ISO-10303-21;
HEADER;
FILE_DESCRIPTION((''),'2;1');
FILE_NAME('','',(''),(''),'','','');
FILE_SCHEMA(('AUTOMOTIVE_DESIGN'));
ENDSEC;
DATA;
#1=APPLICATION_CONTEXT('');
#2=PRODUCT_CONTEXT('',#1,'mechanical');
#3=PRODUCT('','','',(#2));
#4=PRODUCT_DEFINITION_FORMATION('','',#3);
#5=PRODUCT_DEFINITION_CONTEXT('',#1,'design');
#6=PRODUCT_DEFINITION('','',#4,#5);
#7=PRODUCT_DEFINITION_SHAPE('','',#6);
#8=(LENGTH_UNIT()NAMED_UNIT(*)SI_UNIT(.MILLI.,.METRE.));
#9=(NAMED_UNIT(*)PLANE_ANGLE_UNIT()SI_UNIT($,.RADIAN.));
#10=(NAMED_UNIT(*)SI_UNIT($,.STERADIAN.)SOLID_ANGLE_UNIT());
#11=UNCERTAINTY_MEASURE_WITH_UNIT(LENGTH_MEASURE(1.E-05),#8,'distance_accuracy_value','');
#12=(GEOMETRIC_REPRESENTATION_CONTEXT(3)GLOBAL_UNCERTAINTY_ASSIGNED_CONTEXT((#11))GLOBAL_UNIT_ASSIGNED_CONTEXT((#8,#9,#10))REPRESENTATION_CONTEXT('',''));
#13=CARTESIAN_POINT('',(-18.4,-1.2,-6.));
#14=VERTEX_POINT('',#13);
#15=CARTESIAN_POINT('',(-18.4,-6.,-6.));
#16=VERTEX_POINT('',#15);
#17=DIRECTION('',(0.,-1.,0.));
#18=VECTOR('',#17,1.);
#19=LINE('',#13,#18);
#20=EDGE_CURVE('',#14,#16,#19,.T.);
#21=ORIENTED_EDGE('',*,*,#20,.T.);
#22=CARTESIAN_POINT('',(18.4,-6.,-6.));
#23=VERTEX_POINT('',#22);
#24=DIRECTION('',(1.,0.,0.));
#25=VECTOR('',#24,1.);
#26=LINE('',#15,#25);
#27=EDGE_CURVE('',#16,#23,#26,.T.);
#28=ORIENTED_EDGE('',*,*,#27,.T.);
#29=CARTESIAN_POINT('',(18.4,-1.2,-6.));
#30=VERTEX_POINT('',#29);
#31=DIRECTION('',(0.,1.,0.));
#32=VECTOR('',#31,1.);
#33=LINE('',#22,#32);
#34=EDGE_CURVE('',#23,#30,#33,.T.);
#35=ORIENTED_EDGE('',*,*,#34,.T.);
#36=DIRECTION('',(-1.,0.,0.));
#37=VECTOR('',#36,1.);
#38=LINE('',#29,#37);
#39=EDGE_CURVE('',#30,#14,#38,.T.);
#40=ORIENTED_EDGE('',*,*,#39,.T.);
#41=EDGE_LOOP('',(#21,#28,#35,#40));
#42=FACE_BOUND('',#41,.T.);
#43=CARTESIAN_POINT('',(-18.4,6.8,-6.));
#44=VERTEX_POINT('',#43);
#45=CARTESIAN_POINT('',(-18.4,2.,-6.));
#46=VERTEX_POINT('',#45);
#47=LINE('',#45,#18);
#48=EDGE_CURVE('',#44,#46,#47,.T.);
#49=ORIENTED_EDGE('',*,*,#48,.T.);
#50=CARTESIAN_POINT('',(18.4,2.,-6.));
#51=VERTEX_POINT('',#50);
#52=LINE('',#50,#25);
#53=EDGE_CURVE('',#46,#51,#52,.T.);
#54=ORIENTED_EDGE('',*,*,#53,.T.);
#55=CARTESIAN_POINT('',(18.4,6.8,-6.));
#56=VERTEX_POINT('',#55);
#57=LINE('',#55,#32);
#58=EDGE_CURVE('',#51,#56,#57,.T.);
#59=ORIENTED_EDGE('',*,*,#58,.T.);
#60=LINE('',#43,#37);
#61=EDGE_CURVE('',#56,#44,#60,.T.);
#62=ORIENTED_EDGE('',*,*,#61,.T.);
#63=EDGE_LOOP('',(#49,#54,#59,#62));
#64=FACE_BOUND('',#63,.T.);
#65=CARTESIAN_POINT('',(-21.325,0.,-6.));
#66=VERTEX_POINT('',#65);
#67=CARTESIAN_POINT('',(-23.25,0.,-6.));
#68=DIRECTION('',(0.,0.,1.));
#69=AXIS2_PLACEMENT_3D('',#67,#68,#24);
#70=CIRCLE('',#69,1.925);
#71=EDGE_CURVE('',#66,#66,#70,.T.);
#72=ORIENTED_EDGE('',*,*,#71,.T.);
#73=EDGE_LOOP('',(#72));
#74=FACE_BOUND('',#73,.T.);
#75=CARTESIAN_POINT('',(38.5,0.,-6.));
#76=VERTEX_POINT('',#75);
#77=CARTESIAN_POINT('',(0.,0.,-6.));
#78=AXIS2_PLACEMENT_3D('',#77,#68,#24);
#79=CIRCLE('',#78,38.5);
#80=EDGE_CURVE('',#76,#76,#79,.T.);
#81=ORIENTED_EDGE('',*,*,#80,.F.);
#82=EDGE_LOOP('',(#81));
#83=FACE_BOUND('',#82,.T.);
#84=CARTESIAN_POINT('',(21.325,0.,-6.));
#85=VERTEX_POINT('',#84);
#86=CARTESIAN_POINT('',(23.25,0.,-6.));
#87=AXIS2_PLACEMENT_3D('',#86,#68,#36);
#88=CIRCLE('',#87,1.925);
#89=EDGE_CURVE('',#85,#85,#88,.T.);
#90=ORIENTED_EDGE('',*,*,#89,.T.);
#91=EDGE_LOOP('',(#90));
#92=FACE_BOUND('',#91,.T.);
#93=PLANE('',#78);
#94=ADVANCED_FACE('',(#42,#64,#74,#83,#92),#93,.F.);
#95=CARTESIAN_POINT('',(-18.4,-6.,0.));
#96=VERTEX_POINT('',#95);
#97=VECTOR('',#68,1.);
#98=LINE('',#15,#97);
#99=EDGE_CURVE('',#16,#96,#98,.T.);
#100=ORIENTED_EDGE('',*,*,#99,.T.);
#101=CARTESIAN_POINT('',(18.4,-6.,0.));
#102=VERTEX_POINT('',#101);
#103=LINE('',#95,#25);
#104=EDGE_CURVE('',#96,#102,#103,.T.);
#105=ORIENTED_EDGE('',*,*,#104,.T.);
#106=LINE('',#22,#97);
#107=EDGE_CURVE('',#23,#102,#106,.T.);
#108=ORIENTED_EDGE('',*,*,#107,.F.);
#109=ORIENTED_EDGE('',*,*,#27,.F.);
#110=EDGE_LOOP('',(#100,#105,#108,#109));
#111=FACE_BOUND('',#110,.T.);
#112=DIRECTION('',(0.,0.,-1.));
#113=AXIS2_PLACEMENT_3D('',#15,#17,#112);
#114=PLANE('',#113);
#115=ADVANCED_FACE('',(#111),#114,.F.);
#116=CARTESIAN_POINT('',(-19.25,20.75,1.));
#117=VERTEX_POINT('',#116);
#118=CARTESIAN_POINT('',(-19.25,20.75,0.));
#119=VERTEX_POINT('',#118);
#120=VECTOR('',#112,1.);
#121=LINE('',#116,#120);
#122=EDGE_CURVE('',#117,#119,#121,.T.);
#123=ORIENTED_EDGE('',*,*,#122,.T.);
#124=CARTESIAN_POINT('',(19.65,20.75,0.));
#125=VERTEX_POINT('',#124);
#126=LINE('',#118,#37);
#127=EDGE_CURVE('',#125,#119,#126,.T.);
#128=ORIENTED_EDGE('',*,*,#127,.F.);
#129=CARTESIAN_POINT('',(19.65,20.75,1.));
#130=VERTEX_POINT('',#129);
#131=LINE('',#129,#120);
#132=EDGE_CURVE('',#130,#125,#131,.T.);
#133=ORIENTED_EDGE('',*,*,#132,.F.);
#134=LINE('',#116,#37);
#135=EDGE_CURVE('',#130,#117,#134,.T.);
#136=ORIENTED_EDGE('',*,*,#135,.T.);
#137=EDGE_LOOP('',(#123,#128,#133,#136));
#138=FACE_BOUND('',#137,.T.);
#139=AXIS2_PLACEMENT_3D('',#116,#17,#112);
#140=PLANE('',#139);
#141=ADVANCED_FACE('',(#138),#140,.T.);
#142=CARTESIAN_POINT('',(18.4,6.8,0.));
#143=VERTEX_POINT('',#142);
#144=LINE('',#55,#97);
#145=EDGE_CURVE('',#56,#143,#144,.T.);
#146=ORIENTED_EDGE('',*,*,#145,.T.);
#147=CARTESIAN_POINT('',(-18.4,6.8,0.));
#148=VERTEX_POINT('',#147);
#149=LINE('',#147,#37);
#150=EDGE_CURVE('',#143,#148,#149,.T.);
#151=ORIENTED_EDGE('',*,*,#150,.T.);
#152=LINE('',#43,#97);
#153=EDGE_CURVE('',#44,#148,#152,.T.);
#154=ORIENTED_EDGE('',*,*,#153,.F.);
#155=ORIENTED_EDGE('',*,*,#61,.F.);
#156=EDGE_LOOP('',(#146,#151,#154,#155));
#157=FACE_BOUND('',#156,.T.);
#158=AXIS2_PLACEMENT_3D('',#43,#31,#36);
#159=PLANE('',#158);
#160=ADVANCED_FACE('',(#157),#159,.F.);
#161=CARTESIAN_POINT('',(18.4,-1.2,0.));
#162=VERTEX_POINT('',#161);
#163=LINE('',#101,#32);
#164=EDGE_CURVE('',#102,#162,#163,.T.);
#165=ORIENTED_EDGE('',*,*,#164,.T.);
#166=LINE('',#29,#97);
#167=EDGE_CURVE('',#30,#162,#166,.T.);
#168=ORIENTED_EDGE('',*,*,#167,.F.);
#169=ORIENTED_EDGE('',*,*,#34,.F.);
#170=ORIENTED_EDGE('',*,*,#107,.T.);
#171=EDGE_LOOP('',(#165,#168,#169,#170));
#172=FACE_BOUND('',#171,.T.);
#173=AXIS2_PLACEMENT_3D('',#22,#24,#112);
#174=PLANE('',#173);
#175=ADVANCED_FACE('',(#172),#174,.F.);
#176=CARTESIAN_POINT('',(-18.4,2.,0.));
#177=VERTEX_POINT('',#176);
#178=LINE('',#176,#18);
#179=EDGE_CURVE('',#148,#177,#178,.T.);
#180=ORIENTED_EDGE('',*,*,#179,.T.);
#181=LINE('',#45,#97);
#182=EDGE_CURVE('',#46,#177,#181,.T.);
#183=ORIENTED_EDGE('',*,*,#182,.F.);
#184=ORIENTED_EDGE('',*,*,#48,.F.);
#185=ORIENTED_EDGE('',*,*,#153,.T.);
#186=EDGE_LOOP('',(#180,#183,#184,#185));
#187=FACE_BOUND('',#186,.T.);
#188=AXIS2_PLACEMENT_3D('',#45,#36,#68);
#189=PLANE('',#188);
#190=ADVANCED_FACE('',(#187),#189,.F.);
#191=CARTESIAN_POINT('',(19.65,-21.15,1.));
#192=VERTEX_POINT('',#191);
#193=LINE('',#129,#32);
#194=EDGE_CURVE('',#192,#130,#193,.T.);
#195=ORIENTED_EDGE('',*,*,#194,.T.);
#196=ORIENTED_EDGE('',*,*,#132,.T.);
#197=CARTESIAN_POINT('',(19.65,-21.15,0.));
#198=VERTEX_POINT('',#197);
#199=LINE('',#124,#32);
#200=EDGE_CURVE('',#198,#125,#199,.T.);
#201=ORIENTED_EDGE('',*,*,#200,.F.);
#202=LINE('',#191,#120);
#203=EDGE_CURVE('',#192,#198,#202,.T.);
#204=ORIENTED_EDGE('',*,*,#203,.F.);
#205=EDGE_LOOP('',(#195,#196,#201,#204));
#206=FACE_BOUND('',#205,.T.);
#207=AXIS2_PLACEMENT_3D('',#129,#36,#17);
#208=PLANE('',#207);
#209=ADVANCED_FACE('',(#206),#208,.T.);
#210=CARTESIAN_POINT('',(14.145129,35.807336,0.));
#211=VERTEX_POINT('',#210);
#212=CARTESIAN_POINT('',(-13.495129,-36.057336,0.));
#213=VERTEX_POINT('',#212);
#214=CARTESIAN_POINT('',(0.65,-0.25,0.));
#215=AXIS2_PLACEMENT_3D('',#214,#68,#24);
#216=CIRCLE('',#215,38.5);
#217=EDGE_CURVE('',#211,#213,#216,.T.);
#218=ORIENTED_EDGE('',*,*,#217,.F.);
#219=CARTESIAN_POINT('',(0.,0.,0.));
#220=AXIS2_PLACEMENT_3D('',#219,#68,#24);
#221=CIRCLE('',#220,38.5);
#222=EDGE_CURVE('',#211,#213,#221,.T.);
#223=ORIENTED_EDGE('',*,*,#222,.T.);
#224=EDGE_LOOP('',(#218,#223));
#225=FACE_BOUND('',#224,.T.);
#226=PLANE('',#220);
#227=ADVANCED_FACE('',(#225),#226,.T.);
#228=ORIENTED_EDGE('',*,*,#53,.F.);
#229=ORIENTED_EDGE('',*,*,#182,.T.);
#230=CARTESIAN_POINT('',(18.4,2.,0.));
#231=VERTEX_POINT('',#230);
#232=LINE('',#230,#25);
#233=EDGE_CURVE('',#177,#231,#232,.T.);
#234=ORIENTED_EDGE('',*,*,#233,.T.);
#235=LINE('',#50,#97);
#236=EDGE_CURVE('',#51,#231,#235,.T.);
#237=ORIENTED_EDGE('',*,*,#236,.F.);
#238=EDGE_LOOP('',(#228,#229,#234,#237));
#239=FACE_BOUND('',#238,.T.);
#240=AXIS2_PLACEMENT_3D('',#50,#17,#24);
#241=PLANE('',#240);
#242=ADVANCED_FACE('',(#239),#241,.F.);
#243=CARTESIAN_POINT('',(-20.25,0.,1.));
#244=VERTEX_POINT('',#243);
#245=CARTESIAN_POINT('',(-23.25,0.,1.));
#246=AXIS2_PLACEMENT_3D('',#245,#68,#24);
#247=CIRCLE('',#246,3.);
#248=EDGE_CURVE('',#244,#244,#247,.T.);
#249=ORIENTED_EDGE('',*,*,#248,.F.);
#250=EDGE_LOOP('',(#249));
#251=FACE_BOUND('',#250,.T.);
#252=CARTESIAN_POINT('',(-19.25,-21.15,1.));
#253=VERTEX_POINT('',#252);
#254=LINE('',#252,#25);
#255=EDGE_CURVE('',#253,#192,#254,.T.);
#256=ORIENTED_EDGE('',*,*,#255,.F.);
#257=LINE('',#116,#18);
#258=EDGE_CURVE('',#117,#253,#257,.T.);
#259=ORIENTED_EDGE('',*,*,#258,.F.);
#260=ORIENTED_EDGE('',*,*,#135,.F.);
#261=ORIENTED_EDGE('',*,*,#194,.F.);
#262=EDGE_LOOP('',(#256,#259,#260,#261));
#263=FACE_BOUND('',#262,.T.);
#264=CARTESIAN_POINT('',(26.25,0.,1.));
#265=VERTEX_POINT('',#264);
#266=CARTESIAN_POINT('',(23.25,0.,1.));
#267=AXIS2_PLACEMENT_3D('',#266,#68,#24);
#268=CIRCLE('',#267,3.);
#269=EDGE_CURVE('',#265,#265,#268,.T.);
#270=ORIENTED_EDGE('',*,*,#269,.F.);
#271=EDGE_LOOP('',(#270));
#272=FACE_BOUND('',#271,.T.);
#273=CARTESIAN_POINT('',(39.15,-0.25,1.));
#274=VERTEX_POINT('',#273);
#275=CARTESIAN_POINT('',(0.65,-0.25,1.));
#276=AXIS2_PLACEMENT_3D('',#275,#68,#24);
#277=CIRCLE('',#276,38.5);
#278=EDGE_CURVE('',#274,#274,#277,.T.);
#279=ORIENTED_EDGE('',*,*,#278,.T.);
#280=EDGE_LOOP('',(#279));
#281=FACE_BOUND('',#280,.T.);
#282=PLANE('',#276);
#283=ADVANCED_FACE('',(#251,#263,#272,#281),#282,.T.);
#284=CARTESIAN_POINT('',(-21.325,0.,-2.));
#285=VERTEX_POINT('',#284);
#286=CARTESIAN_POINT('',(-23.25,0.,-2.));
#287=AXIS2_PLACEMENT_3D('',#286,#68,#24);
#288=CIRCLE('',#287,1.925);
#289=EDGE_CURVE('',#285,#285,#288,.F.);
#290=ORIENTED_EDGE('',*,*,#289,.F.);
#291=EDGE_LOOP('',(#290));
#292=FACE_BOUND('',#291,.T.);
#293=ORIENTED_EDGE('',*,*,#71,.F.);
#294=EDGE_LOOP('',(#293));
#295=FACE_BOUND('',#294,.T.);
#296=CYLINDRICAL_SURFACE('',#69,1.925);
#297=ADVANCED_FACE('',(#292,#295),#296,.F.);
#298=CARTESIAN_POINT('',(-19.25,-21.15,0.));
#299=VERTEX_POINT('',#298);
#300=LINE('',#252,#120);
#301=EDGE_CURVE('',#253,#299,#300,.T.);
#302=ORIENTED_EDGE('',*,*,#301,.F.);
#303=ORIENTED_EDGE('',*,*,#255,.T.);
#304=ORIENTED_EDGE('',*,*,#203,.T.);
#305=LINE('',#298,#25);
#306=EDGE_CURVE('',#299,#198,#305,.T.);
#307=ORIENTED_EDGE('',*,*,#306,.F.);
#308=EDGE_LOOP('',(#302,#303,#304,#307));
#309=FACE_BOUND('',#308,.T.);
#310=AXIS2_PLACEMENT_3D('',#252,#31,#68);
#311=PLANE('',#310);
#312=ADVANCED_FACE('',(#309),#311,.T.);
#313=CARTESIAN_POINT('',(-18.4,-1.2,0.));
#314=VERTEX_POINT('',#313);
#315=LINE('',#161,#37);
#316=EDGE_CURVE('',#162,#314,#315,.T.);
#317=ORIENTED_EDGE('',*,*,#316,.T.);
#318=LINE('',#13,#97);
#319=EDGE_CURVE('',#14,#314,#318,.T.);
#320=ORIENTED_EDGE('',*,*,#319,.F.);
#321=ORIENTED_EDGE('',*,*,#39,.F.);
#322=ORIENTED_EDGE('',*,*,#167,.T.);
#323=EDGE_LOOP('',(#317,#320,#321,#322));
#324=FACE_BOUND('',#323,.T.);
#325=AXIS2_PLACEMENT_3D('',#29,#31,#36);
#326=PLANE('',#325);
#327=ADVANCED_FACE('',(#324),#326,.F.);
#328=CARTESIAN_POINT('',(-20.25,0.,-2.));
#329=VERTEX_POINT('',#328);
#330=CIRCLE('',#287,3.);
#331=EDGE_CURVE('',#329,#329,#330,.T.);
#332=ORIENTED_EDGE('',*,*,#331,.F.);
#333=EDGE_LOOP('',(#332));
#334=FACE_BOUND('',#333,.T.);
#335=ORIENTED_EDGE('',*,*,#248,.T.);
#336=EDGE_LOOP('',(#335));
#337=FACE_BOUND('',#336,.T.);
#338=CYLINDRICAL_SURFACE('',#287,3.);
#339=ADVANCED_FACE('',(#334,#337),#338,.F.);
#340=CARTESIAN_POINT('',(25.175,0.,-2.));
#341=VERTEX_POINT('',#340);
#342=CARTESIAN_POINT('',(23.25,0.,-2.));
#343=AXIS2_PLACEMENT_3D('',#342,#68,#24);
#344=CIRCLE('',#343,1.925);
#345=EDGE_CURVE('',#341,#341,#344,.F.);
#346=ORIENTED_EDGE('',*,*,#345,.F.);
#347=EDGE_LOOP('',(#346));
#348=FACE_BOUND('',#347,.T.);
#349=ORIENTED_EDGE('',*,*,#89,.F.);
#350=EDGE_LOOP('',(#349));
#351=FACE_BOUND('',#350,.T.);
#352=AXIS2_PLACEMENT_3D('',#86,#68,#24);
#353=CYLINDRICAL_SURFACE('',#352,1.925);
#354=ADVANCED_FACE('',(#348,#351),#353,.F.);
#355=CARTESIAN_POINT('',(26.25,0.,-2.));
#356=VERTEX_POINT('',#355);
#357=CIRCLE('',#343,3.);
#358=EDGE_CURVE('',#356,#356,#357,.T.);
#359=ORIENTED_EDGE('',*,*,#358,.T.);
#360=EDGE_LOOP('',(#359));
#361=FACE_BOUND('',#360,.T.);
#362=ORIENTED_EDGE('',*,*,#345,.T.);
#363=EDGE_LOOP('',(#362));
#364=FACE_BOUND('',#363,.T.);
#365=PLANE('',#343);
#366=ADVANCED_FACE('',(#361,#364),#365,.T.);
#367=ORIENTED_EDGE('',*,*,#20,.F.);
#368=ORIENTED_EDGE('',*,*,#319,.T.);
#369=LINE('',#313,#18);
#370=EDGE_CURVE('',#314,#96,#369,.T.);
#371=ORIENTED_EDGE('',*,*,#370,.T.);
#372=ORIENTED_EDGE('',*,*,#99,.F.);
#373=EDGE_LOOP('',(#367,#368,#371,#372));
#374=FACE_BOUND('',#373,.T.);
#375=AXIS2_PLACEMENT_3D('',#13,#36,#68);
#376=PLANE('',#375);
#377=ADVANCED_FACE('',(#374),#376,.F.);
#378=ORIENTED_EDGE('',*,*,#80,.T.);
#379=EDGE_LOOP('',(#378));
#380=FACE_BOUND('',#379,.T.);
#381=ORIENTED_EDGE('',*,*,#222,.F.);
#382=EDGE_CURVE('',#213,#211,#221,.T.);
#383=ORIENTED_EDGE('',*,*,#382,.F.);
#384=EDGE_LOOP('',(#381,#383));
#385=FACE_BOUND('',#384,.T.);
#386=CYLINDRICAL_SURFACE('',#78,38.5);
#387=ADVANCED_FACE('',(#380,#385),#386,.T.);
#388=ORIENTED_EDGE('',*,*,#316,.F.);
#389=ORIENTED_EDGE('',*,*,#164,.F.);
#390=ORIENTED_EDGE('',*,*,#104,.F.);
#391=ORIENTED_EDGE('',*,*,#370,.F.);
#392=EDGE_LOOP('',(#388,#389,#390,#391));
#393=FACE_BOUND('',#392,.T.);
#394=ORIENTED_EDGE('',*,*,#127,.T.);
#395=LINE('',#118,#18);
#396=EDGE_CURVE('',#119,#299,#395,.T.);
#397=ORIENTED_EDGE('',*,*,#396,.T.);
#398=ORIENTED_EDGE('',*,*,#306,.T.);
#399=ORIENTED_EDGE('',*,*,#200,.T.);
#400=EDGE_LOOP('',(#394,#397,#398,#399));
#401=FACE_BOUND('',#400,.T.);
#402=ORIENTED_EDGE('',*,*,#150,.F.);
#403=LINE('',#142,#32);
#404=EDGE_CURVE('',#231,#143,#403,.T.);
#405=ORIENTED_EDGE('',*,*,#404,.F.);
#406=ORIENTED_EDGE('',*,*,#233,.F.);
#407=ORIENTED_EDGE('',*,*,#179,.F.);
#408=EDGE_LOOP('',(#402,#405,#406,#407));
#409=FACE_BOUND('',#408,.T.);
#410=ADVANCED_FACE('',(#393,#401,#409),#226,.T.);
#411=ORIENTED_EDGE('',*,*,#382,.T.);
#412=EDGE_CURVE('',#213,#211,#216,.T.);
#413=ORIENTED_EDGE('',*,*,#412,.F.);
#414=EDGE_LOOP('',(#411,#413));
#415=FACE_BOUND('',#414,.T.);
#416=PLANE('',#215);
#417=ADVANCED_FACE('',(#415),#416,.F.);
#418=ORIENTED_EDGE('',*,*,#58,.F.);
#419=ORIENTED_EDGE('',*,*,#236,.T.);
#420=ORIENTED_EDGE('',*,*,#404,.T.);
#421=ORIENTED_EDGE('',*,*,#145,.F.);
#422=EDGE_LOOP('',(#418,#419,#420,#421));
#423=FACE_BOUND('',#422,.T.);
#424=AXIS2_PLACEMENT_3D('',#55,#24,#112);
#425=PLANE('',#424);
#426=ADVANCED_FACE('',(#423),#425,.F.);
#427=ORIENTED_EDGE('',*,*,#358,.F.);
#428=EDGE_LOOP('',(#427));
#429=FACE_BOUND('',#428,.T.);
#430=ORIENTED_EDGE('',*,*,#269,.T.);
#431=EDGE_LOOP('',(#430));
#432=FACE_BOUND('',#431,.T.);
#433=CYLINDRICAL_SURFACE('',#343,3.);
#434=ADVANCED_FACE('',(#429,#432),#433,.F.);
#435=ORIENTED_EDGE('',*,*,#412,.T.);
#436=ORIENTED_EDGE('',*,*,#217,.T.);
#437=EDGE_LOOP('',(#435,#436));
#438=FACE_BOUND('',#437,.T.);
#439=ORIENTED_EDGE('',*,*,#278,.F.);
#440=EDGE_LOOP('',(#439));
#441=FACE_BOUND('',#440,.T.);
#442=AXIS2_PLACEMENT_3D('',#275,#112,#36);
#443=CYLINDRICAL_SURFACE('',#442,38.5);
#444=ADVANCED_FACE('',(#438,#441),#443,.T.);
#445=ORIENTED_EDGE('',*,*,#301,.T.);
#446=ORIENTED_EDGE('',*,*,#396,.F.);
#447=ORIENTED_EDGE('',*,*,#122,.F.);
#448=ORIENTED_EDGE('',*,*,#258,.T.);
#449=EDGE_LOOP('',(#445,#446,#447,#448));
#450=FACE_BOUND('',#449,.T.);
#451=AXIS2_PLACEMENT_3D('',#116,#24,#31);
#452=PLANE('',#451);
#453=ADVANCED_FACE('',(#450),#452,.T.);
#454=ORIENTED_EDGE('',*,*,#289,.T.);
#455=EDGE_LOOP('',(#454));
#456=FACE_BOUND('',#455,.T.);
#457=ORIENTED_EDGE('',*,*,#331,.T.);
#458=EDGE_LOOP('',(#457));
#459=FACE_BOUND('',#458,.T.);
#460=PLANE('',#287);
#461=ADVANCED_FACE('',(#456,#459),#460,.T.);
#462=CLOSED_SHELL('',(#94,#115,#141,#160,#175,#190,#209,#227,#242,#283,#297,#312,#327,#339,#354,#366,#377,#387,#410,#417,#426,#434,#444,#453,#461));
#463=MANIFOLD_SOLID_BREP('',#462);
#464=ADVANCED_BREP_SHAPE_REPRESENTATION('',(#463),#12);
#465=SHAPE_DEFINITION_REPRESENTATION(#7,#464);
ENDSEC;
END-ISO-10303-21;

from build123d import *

# Parameters (mm, degrees)
SKETCH1_R                  = 38.5
SKETCH1_R_2                = 1.925
SKETCH1_W                  = 36.8
SKETCH1_H                  = 4.8
MAIN_FLANGE_COUPLING_DEPTH = 6
SKETCH2_R                  = 38.5
SKETCH2_R_2                = 1.7
SKETCH2_W                  = 38.9
SKETCH2_H                  = 41.9
BOSS_EXTRUDE1_DEPTH        = 1
SKETCH3_R                  = 3
CUT_EXTRUDE1_DEPTH         = 3


with BuildPart() as part:
    # Sketch1 → Main Flange Coupling (new body)
    with BuildSketch(Plane.XY):
        Circle(SKETCH1_R)
        with Locations((-23.25, 0)):
            Circle(SKETCH1_R_2, mode=Mode.SUBTRACT)
        with Locations((23.25, 0)):
            Circle(SKETCH1_R_2, mode=Mode.SUBTRACT)
        with Locations((0, 4.4)):
            Rectangle(SKETCH1_W, SKETCH1_H, mode=Mode.SUBTRACT)
        with Locations((0, -3.6)):
            Rectangle(SKETCH1_W, SKETCH1_H, mode=Mode.SUBTRACT)
    extrude(amount=-MAIN_FLANGE_COUPLING_DEPTH)

    # Sketch2 → Boss-Extrude1 (add)
    with BuildSketch(Plane.XY):
        with Locations((0.65, -0.25)):
            Circle(SKETCH2_R)
        with Locations((-23.25, 0)):
            Circle(SKETCH2_R_2, mode=Mode.SUBTRACT)
        with Locations((23.25, 0)):
            Circle(SKETCH2_R_2, mode=Mode.SUBTRACT)
        with Locations((0.2, -0.2)):
            Rectangle(SKETCH2_W, SKETCH2_H, mode=Mode.SUBTRACT)
    extrude(amount=BOSS_EXTRUDE1_DEPTH)

    # Sketch3 → Cut-Extrude1 (cut)
    with BuildSketch(Plane.XY.offset(1)):
        with Locations((-23.25, 0)):
            Circle(SKETCH3_R)
        with Locations((23.25, 0)):
            Circle(SKETCH3_R)
    extrude(amount=-CUT_EXTRUDE1_DEPTH, mode=Mode.SUBTRACT)


solid = part.part
